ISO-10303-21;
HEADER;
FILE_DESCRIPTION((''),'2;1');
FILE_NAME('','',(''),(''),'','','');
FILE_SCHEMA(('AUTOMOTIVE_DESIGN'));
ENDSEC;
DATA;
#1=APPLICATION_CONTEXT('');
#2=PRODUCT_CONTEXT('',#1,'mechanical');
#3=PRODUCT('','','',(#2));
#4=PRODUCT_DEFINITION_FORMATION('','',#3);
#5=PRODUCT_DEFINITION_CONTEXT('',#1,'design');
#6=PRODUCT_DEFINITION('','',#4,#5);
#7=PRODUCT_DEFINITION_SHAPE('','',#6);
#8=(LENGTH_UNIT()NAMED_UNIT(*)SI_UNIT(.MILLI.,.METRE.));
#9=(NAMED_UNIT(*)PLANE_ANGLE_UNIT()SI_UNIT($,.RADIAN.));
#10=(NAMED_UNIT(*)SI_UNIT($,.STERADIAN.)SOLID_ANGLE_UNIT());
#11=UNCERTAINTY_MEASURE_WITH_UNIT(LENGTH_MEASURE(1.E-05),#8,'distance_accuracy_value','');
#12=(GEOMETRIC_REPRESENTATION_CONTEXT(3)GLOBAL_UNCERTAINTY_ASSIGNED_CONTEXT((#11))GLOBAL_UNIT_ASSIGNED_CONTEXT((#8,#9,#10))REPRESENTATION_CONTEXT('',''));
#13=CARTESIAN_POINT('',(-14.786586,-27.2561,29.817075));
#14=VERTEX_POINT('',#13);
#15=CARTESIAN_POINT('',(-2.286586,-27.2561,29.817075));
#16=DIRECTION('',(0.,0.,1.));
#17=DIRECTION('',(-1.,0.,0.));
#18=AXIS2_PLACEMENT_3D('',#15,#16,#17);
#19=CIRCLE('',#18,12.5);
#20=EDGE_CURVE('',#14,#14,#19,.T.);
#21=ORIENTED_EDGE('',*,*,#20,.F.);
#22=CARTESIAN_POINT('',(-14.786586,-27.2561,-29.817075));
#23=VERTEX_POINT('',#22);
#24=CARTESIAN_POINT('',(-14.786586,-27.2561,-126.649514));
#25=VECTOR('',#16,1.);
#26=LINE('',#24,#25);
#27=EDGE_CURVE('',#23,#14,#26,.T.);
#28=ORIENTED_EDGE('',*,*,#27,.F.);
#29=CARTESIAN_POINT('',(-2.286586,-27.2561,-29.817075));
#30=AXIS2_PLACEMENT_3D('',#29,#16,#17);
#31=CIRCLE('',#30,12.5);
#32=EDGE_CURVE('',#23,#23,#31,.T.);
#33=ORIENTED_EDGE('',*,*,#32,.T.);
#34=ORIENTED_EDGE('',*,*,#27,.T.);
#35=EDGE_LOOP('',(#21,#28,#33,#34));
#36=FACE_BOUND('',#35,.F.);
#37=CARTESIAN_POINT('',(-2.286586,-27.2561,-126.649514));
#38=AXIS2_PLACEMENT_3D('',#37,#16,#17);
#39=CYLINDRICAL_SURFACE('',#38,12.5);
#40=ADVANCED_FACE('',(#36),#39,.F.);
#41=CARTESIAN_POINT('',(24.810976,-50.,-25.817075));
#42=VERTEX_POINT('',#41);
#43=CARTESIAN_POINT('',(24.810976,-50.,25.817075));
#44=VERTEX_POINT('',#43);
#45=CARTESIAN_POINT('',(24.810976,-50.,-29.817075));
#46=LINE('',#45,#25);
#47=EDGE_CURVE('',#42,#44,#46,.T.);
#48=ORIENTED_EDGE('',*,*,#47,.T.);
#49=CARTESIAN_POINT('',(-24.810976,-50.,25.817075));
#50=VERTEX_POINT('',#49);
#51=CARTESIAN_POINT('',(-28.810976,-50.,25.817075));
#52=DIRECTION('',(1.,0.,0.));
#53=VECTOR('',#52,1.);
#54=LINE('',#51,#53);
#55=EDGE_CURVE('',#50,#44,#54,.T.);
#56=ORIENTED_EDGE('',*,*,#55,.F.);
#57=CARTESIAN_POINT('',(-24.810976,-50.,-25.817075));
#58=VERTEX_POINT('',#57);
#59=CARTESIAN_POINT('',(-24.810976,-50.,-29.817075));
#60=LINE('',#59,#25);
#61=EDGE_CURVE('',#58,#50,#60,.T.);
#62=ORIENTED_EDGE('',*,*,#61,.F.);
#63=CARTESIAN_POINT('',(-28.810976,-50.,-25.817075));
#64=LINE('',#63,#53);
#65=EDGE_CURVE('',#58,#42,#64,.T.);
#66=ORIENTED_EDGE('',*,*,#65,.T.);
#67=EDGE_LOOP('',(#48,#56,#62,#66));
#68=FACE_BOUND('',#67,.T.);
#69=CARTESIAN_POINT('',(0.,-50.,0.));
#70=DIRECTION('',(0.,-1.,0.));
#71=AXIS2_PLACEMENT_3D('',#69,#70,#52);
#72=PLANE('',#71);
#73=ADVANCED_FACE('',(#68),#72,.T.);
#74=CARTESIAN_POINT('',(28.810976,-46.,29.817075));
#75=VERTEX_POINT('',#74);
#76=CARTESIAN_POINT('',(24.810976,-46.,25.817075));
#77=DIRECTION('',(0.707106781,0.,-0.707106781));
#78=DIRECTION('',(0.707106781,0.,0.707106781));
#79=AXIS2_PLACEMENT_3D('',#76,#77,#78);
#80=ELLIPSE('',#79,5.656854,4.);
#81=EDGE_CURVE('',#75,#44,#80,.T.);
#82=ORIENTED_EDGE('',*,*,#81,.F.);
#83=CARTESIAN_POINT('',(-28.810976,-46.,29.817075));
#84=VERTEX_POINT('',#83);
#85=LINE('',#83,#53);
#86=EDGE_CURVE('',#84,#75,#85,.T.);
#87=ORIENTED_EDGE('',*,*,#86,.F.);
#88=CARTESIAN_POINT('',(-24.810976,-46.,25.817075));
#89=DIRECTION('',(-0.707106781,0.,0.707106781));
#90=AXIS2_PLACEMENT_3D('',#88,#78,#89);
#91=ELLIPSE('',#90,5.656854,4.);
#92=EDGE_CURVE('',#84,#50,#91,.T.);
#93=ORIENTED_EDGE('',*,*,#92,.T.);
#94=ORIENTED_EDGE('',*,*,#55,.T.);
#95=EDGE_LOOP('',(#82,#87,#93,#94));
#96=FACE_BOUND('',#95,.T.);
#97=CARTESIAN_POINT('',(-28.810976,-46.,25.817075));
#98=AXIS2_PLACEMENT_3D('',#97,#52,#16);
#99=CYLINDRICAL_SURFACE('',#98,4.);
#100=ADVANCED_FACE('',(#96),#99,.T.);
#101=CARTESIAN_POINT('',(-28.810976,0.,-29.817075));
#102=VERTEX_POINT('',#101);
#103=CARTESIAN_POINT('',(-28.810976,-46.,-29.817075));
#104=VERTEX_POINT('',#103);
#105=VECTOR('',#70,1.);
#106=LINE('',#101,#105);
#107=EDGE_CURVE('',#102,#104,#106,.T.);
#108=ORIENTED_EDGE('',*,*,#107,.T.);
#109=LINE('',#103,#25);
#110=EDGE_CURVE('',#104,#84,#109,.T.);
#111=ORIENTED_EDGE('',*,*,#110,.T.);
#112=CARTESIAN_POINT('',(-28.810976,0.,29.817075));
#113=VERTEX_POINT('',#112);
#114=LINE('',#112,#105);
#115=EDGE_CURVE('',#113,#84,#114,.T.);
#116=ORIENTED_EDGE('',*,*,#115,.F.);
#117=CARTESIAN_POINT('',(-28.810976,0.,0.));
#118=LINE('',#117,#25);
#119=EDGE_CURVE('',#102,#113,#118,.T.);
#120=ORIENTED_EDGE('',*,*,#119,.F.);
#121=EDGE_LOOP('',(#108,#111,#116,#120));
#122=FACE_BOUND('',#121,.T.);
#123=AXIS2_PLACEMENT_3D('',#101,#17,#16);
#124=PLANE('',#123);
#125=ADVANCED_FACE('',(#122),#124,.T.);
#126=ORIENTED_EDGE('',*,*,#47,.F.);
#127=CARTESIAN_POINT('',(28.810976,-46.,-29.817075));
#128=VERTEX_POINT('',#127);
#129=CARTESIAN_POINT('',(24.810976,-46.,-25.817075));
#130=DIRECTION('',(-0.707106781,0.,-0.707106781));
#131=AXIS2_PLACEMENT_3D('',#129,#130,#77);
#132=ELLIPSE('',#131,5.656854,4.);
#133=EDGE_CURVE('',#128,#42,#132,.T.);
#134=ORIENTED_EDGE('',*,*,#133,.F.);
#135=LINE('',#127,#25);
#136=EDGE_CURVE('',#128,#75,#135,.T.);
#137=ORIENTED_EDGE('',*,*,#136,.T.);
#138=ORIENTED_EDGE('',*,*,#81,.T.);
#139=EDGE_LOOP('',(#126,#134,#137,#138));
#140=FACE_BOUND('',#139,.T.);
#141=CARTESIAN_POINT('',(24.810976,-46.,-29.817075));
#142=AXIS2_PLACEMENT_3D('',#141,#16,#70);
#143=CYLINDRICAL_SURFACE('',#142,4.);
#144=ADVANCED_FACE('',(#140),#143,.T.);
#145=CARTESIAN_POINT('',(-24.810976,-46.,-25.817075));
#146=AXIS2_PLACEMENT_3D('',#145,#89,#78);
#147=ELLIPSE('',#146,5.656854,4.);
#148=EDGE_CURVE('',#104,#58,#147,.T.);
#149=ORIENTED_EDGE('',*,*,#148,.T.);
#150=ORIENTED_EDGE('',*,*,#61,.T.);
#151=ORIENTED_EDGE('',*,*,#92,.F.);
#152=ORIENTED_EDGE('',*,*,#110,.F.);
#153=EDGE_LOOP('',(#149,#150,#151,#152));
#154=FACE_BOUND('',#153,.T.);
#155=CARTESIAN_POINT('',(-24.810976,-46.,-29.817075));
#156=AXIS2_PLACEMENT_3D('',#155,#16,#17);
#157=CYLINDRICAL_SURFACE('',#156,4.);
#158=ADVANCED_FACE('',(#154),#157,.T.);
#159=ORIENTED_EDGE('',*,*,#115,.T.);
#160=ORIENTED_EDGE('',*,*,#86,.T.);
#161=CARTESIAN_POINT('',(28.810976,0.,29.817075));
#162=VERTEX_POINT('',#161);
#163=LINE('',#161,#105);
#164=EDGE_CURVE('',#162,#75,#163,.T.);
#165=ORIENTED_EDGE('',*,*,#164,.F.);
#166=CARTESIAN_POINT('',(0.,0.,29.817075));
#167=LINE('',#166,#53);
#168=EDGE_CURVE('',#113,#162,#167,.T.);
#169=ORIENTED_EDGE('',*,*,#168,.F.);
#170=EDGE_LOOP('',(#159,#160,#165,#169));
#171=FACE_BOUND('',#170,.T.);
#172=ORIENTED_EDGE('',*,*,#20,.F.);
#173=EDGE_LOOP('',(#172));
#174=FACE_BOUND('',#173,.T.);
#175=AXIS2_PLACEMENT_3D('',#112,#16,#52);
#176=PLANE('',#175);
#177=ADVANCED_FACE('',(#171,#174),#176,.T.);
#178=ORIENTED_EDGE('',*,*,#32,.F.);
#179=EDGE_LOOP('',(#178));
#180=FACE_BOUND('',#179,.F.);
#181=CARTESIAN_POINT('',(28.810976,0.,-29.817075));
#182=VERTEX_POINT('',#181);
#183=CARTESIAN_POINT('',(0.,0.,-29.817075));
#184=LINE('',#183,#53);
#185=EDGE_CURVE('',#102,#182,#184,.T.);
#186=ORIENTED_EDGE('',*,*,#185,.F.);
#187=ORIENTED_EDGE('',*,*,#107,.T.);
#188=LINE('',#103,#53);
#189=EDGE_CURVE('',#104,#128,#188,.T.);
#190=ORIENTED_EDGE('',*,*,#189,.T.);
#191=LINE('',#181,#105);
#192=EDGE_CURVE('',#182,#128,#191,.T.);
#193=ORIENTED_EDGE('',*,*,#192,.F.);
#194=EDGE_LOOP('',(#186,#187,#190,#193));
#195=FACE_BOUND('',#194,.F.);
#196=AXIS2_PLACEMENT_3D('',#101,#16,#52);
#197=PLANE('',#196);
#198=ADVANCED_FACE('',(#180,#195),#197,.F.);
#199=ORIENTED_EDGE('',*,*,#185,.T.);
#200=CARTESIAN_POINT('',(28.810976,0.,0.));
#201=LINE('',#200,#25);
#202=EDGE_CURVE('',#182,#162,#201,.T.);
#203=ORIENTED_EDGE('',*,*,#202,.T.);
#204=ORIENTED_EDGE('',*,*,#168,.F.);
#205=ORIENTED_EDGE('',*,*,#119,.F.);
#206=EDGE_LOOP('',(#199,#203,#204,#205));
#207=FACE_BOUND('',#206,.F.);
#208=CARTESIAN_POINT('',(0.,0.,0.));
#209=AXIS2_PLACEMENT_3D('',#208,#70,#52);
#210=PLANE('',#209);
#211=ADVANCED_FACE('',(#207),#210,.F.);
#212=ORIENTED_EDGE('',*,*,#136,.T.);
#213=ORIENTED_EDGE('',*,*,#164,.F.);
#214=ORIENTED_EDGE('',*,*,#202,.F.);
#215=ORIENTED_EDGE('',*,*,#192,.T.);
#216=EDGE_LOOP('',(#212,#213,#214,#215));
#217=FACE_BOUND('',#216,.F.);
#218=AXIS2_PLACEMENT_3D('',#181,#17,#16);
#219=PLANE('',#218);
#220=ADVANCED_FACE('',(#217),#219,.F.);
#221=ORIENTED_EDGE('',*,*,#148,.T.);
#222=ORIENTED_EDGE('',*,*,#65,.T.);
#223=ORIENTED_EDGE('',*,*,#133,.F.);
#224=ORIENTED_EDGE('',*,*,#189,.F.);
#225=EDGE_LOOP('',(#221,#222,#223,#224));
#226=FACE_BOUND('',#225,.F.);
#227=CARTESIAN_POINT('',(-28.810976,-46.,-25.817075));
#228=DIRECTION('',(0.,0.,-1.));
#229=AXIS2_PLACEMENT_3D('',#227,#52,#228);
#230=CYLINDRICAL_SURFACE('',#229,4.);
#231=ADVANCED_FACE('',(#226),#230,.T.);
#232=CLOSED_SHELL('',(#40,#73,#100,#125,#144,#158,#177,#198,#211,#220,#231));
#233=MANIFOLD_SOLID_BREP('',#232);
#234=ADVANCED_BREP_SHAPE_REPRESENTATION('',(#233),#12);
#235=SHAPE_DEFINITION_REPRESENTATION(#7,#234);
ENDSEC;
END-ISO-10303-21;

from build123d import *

# Parameters (mm, degrees)
F0_W     = 57.621952
F0_H     = 59.63415
F1_DEPTH = 50
F3_D     = 25
F4_R     = 4


with BuildPart() as f1:
    # F0 (on Front) → F1 (new body)
    with BuildSketch(Plane.XZ):
        Rectangle(F0_W, F0_H)
    extrude(amount=F1_DEPTH)

    # F3 (through all)
    with Locations(Plane(origin=(0, 0, -29.817075), x_dir=(1, 0, 0), z_dir=(0, 0, -1))):
        with Locations((-2.286586, 27.2561)):
            Hole(F3_D / 2)

    # F4
    f4_edges = [f1.edges().sort_by_distance(p)[0] for p in [
        (0, -50, -29.817075),
        (-28.810976, -50, 0),
        (0, -50, 29.817075),
        (28.810976, -50, 0),
    ]]
    fillet(f4_edges, radius=F4_R)


solid = f1.part
